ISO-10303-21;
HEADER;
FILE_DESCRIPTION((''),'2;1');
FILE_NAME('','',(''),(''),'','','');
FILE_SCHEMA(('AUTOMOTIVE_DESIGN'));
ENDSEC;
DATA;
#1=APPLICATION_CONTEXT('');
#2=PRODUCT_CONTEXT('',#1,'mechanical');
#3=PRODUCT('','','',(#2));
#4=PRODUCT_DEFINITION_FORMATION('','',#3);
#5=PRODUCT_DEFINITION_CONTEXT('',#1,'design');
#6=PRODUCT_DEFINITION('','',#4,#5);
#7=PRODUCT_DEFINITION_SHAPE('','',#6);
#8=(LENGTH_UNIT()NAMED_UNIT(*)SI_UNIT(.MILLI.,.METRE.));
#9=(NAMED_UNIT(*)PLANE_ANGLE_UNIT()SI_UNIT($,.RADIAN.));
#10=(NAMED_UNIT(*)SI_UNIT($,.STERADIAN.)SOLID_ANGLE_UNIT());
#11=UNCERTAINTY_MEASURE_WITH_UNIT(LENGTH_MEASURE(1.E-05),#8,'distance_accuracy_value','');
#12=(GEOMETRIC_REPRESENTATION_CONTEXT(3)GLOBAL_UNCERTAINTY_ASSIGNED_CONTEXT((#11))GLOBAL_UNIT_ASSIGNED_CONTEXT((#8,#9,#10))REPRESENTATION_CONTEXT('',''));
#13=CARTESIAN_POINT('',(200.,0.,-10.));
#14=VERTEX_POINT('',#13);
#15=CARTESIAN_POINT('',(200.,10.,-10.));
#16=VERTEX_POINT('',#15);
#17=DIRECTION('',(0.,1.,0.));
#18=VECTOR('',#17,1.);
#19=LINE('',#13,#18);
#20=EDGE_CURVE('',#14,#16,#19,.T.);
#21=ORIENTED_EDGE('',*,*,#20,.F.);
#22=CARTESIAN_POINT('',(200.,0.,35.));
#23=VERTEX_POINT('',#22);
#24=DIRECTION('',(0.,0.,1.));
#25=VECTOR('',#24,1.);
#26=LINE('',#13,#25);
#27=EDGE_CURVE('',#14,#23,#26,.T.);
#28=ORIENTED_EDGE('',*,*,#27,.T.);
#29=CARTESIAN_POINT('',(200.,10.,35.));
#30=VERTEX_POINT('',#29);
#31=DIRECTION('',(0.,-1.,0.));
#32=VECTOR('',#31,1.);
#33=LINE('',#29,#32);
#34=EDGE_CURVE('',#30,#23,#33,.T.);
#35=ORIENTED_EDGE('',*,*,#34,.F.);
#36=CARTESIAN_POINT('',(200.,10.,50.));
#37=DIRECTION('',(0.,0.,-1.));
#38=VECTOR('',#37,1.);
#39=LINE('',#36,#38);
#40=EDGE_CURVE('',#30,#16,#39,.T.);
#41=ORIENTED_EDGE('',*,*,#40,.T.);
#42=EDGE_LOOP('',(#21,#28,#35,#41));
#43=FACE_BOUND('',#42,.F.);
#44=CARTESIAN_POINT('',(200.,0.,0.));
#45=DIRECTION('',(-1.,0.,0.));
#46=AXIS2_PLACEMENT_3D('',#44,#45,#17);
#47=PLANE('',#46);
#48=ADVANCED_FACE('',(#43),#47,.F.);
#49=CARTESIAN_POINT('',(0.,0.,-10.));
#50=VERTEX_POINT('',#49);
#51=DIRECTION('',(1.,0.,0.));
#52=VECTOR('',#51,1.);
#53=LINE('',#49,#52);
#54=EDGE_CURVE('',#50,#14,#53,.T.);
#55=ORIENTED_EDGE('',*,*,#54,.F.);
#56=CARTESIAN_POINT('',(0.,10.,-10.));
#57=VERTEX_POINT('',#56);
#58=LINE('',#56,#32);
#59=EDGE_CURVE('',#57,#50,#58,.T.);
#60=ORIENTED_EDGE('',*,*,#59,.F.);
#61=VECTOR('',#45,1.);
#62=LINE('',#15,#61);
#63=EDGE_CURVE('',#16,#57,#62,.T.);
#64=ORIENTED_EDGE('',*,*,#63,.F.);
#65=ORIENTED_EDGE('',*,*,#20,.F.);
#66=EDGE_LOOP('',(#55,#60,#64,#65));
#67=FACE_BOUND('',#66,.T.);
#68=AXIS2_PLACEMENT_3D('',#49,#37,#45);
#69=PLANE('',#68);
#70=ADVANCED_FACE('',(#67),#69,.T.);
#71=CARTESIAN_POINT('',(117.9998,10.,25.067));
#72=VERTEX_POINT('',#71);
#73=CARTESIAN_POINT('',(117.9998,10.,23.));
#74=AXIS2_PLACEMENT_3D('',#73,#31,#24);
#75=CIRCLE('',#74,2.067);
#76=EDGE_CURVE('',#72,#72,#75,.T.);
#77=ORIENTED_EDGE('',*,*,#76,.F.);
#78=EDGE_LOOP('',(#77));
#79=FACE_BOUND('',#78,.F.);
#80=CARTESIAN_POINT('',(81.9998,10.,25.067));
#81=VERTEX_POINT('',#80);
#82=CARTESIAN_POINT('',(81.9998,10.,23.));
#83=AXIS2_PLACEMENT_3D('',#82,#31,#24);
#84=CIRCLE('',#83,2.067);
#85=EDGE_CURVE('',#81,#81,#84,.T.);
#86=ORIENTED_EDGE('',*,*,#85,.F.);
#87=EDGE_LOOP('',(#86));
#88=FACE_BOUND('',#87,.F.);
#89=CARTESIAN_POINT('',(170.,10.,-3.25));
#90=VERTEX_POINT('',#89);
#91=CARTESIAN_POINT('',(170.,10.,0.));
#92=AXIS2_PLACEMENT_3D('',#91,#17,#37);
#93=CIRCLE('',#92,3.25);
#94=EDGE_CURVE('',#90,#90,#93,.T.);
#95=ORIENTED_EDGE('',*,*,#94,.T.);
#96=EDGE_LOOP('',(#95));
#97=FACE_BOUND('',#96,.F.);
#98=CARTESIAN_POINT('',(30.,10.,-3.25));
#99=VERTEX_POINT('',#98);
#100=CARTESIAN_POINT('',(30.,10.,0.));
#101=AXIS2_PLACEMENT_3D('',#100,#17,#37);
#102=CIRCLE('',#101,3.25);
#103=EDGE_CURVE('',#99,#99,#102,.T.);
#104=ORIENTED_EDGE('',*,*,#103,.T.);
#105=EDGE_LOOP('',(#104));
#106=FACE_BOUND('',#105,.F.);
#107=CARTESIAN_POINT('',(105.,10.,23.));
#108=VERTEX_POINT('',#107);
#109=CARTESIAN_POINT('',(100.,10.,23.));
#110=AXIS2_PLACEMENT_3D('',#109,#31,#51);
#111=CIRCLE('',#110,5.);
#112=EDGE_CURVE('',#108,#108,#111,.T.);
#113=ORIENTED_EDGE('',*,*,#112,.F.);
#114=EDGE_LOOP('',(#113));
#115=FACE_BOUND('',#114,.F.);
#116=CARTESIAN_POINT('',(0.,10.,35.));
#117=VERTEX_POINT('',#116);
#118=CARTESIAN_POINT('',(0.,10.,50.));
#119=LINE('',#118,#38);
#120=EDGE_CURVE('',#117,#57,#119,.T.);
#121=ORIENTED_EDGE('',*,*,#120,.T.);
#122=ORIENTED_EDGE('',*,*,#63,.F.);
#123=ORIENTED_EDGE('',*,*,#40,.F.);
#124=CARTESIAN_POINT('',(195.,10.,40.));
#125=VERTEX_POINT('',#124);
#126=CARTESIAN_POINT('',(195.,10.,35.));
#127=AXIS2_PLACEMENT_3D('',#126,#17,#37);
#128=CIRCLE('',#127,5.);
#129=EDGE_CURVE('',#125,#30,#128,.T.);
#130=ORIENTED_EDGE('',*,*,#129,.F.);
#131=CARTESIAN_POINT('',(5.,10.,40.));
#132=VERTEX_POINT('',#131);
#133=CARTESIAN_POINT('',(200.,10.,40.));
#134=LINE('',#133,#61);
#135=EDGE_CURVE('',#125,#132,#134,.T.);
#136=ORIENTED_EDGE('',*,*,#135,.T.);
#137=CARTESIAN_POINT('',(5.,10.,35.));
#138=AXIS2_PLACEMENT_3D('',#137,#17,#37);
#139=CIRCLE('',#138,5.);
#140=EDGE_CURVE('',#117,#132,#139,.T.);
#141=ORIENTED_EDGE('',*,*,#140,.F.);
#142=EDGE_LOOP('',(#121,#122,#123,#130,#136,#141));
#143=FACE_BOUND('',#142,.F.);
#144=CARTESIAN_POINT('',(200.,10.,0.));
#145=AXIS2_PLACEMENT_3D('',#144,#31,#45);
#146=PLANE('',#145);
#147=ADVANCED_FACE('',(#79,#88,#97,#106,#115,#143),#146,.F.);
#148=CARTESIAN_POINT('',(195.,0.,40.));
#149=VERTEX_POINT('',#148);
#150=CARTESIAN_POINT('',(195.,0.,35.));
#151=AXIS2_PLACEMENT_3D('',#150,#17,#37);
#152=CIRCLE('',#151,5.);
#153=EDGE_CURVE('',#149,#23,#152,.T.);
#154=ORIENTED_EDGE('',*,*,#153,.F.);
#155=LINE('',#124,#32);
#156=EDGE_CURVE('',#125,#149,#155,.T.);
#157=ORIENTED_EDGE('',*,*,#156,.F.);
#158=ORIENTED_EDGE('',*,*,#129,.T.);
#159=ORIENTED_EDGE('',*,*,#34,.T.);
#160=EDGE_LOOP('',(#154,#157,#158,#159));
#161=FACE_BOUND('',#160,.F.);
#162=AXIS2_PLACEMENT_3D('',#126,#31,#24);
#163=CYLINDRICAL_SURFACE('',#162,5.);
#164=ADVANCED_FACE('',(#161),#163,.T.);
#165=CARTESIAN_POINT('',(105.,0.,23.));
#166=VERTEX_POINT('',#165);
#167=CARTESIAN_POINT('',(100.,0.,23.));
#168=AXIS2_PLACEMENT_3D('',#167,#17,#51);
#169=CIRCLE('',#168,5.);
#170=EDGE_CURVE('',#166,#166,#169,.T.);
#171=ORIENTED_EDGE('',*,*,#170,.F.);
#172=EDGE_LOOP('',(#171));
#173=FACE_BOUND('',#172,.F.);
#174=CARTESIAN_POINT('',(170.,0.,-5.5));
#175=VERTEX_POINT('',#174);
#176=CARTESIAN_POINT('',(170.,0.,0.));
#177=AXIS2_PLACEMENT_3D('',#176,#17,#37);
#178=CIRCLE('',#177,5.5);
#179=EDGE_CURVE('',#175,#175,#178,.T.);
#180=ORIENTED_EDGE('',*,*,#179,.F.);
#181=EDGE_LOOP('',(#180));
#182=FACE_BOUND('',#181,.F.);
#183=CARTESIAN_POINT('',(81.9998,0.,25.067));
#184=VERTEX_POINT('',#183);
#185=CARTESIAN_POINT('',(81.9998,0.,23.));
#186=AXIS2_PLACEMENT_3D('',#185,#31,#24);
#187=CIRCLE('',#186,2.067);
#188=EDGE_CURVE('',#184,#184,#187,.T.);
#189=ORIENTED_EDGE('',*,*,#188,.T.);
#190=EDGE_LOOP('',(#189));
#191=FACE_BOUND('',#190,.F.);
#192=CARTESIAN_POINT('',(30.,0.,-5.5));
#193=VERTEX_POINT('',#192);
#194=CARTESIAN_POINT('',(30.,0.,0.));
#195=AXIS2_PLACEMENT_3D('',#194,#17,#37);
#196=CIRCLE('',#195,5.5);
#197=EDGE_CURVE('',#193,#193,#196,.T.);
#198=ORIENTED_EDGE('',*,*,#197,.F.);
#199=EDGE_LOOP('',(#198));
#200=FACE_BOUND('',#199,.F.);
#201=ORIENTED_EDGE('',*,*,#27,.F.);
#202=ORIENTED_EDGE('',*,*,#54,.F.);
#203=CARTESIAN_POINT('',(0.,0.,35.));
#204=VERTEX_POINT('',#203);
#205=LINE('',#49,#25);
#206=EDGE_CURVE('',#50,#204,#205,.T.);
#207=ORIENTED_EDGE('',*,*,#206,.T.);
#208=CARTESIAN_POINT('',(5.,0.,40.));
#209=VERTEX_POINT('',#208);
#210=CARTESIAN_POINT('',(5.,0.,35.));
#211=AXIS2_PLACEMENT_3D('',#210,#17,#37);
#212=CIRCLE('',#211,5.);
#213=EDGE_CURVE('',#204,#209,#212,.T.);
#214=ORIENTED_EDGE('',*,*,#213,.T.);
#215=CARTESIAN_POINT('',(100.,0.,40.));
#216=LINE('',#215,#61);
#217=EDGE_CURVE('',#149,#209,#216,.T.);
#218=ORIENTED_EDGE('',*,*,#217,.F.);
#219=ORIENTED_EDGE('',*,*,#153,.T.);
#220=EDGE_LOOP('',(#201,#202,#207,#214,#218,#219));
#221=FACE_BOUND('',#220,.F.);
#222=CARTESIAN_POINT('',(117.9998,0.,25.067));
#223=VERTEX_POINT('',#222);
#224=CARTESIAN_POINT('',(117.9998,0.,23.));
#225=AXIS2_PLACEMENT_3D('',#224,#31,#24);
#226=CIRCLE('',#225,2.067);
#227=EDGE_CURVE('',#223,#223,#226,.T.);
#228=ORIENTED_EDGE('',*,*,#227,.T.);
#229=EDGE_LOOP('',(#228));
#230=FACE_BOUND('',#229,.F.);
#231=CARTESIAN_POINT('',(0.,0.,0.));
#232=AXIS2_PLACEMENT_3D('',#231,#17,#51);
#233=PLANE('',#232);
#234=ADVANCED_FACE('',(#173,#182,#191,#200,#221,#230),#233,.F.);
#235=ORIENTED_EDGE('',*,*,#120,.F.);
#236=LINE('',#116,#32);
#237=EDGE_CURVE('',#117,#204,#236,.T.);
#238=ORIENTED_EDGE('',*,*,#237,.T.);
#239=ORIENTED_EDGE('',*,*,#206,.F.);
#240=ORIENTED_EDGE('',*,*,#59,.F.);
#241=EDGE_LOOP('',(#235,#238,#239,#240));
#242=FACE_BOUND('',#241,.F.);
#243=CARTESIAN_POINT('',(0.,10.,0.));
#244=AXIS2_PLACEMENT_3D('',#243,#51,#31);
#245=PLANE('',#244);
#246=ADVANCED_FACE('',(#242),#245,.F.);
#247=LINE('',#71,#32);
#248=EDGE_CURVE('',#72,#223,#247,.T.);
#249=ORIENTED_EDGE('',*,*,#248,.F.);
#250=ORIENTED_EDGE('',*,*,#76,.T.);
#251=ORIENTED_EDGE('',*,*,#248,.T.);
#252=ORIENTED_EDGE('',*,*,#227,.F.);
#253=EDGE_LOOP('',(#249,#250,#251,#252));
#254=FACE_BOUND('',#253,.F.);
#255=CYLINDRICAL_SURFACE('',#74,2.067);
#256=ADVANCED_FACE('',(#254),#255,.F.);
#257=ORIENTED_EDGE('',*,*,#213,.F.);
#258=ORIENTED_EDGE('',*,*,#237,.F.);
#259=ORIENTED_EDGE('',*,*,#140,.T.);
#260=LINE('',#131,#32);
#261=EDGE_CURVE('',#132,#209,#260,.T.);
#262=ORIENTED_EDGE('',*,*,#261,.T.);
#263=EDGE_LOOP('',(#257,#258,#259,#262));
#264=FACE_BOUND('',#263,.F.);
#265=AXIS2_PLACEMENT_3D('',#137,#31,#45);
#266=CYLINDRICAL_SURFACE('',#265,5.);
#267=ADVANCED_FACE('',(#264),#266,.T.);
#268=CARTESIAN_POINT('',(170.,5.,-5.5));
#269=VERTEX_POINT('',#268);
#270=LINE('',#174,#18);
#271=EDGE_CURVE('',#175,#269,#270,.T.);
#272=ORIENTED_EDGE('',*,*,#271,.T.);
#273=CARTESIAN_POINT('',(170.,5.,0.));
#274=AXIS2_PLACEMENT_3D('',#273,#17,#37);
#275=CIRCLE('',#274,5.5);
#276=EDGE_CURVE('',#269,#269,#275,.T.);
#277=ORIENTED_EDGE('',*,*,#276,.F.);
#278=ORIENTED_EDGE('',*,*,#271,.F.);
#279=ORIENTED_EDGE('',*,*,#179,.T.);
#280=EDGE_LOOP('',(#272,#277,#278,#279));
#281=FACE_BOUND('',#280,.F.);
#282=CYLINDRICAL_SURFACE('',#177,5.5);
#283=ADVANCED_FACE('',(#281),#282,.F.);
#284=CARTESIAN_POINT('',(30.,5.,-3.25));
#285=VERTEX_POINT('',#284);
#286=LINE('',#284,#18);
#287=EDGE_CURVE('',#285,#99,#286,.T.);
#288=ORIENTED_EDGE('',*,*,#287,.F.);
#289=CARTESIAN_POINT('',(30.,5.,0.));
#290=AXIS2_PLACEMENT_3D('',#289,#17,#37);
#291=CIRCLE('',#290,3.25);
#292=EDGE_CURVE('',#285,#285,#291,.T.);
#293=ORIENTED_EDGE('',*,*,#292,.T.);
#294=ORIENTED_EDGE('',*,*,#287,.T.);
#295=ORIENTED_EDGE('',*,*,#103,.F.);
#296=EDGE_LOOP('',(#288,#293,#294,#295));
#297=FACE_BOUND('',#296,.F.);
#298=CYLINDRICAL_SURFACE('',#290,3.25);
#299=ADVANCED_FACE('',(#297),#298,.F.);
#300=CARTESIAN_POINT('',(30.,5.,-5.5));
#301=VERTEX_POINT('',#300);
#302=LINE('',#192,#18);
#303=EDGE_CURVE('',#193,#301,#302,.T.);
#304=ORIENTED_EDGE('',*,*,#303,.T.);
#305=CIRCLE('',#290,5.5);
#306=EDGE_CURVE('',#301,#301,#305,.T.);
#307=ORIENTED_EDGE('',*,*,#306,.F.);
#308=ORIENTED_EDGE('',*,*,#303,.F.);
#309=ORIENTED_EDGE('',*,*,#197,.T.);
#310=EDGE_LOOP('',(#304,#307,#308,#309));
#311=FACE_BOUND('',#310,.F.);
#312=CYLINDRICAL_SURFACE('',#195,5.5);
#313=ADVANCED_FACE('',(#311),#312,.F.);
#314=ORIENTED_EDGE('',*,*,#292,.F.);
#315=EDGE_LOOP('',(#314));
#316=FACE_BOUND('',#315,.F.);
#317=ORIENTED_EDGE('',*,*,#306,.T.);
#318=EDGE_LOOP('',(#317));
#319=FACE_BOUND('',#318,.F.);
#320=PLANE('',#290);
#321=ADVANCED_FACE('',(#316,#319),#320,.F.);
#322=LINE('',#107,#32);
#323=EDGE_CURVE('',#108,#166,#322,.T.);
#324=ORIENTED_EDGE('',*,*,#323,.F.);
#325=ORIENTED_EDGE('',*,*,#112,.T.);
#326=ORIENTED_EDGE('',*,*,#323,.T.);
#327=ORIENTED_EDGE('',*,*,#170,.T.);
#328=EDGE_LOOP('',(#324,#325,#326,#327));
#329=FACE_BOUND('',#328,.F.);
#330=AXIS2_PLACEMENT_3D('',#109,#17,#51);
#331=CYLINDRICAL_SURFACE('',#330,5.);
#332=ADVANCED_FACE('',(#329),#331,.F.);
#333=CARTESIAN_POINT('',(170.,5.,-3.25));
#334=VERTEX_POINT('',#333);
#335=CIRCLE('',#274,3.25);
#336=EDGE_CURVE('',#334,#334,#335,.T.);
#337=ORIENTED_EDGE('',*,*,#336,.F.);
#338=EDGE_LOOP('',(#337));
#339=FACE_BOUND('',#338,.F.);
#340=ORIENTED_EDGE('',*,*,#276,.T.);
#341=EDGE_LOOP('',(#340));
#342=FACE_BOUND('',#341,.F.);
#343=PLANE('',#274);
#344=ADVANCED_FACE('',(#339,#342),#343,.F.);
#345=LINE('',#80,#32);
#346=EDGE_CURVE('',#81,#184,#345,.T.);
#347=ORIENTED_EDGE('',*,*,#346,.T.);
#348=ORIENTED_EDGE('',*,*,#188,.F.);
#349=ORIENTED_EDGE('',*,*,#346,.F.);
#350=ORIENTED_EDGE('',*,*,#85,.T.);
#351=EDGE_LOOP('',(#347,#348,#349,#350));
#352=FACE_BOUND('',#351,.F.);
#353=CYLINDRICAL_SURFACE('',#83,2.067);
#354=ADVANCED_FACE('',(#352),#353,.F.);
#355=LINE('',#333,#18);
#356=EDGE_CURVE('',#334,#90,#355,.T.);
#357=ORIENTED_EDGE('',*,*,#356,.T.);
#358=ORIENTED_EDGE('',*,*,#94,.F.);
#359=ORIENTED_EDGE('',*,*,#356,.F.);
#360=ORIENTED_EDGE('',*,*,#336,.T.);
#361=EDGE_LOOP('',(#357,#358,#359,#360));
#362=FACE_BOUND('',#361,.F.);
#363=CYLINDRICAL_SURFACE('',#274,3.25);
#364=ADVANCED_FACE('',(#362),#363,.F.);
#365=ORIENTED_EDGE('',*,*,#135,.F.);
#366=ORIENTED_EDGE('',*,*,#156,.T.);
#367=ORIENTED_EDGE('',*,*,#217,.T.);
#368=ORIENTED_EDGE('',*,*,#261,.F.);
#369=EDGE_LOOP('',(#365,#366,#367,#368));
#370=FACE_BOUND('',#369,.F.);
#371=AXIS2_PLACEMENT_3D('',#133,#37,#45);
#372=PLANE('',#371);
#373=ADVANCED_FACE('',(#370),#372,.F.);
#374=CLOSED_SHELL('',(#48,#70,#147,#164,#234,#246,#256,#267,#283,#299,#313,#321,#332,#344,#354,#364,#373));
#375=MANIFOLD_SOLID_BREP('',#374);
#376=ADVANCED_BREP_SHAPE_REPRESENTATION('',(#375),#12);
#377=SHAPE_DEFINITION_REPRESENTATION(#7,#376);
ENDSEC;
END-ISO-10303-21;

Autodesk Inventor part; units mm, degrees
ref_plane "YZ Plane" through (0, 0, 0) normal (1, 0, 0) x (0, 1, 0)
ref_plane "XZ Plane" through (0, 0, 0) normal (0, 1, 0) x (-1, 0, 0)
ref_plane "XY Plane" through (0, 0, 0) normal (0, 0, 1) x (1, 0, 0)
sketch "Sketch1" plane through (0, 0, 0) normal (0, 0, 1) x (1, 0, 0)
  line L0 (0, 0) -> (200, 0)
  line L1 (200, 0) -> (200, 10)
  line L2 (200, 10) -> (0, 10)
  line L3 (0, 10) -> (0, 0)
  dimension "d0" = 200
  dimension "d1" = 10
extrude "Extrusion1" add sketch "Sketch1" along normal blind 50
sketch "Sketch2" plane through (0, 10, 0) normal (0, 1, 0) x (1, 0, 0)
  line L0 (200, 0) -> (200, -50) projected
  line L1 (200, -23) -> (-0.0003, -23)
  line L2 (200, 0) -> (0, 0) projected
  line L3 (100, 0) -> (100, -50)
  line L4 (200, -50) -> (0, -50) projected
  circle A0 centre (81.9998, -23) radius 2.5
  circle A1 centre (117.9998, -23) radius 2.5
  point P0 (99.9998, -23)
  dimension "d4" = 23
  dimension "d5" = 5
  dimension "d6" = 5
  dimension "d7" = 18
  dimension "d8" = 36
sketch "Sketch3" plane through (0, 0, 0) normal (0, 0, -1) x (-1, 0, 0)
  line L0 (0, 0) -> (-200, 0) projected
  line L1 (-200, 10) -> (0, 10) projected
  line L2 (0, 0) -> (-200, 0)
  line L3 (-200, 0) -> (-200, 10)
  line L4 (-200, 10) -> (0, 10)
  line L5 (0, 10) -> (0, 0)
extrude "Extrusion3" add sketch "Sketch3" along normal blind 10
sketch "Sketch4" plane through (0, 10, 50) normal (0, 1, 0) x (1, 0, 0)
  line L0 (0, 0) -> (200, 0) projected
  line L1 (100, 0) -> (100, 60)
  line L2 (0, 60) -> (200, 60) projected
  circle A0 centre (100, 27) radius 5
  point P0 (0, 50)
  dimension "d17" = 10
  dimension "d39" = 33
extrude "Extrusion4" cut sketch "Sketch4" against normal blind 10
sketch "Sketch5" plane through (0, 0, 50) normal (0, -1, 0) x (1, 0, 0)
  line L0 (140, -40) -> (140, -50) projected
  line L1 (140, -50) -> (60, -50) projected
  line L2 (60, -50) -> (60, -40) projected
  line L3 (0, -40) -> (60, -40) projected
  line L4 (0, -60) -> (0, -40) projected
  line L5 (0, -60) -> (200, -60) projected
  line L6 (200, -60) -> (200, -40) projected
  line L7 (140, -40) -> (200, -40) projected
  circle A0 centre (30, -50) radius 2.4585 projected
  circle A1 centre (170, -50) radius 2.4585 projected
  point P0 (0, -50)
  point P1 (170, -50)
  point P2 (30, -50)
  point P3 (200, -50)
  point P4 (170, -40)
  point P5 (30, -40)
hole "Hole1" at (170, 0, 0) at (30, 0, 0) direction (0, 1, 0) diameter 6.5 end through all counterbore diameter 11 counterbore depth 5
hole "Hole2" at (81.9998, 10, 23) at (117.9998, 10, 23) direction (0, -1, 0) diameter 4.134 end through all thread size "M5x0.8" class "6H" standard "ISO Metric profile"
sketch "Sketch6" plane through (0, 10, 50) normal (0, 1, 0) x (1, 0, 0)
  line L0 (200, 0) -> (0, 0) projected
  line L1 (0, 0) -> (200, 0)
  line L2 (200, 0) -> (200, 10)
  line L3 (200, 10) -> (0, 10)
  line L4 (0, 10) -> (0, 0)
  point P0 (0, 50)
  dimension "d35" = 10
extrude "Extrusion5" cut sketch "Sketch6" against normal through all
sketch "Sketch7" plane through (0, 10, -10) normal (0, 1, 0) x (1, 0, 0)
  point P0 (0, -10)
fillet "Fillet3" radius 5 2 edges at (0, 5, 40) (200, 5, 40)
properties part number "Nap_duoi"
